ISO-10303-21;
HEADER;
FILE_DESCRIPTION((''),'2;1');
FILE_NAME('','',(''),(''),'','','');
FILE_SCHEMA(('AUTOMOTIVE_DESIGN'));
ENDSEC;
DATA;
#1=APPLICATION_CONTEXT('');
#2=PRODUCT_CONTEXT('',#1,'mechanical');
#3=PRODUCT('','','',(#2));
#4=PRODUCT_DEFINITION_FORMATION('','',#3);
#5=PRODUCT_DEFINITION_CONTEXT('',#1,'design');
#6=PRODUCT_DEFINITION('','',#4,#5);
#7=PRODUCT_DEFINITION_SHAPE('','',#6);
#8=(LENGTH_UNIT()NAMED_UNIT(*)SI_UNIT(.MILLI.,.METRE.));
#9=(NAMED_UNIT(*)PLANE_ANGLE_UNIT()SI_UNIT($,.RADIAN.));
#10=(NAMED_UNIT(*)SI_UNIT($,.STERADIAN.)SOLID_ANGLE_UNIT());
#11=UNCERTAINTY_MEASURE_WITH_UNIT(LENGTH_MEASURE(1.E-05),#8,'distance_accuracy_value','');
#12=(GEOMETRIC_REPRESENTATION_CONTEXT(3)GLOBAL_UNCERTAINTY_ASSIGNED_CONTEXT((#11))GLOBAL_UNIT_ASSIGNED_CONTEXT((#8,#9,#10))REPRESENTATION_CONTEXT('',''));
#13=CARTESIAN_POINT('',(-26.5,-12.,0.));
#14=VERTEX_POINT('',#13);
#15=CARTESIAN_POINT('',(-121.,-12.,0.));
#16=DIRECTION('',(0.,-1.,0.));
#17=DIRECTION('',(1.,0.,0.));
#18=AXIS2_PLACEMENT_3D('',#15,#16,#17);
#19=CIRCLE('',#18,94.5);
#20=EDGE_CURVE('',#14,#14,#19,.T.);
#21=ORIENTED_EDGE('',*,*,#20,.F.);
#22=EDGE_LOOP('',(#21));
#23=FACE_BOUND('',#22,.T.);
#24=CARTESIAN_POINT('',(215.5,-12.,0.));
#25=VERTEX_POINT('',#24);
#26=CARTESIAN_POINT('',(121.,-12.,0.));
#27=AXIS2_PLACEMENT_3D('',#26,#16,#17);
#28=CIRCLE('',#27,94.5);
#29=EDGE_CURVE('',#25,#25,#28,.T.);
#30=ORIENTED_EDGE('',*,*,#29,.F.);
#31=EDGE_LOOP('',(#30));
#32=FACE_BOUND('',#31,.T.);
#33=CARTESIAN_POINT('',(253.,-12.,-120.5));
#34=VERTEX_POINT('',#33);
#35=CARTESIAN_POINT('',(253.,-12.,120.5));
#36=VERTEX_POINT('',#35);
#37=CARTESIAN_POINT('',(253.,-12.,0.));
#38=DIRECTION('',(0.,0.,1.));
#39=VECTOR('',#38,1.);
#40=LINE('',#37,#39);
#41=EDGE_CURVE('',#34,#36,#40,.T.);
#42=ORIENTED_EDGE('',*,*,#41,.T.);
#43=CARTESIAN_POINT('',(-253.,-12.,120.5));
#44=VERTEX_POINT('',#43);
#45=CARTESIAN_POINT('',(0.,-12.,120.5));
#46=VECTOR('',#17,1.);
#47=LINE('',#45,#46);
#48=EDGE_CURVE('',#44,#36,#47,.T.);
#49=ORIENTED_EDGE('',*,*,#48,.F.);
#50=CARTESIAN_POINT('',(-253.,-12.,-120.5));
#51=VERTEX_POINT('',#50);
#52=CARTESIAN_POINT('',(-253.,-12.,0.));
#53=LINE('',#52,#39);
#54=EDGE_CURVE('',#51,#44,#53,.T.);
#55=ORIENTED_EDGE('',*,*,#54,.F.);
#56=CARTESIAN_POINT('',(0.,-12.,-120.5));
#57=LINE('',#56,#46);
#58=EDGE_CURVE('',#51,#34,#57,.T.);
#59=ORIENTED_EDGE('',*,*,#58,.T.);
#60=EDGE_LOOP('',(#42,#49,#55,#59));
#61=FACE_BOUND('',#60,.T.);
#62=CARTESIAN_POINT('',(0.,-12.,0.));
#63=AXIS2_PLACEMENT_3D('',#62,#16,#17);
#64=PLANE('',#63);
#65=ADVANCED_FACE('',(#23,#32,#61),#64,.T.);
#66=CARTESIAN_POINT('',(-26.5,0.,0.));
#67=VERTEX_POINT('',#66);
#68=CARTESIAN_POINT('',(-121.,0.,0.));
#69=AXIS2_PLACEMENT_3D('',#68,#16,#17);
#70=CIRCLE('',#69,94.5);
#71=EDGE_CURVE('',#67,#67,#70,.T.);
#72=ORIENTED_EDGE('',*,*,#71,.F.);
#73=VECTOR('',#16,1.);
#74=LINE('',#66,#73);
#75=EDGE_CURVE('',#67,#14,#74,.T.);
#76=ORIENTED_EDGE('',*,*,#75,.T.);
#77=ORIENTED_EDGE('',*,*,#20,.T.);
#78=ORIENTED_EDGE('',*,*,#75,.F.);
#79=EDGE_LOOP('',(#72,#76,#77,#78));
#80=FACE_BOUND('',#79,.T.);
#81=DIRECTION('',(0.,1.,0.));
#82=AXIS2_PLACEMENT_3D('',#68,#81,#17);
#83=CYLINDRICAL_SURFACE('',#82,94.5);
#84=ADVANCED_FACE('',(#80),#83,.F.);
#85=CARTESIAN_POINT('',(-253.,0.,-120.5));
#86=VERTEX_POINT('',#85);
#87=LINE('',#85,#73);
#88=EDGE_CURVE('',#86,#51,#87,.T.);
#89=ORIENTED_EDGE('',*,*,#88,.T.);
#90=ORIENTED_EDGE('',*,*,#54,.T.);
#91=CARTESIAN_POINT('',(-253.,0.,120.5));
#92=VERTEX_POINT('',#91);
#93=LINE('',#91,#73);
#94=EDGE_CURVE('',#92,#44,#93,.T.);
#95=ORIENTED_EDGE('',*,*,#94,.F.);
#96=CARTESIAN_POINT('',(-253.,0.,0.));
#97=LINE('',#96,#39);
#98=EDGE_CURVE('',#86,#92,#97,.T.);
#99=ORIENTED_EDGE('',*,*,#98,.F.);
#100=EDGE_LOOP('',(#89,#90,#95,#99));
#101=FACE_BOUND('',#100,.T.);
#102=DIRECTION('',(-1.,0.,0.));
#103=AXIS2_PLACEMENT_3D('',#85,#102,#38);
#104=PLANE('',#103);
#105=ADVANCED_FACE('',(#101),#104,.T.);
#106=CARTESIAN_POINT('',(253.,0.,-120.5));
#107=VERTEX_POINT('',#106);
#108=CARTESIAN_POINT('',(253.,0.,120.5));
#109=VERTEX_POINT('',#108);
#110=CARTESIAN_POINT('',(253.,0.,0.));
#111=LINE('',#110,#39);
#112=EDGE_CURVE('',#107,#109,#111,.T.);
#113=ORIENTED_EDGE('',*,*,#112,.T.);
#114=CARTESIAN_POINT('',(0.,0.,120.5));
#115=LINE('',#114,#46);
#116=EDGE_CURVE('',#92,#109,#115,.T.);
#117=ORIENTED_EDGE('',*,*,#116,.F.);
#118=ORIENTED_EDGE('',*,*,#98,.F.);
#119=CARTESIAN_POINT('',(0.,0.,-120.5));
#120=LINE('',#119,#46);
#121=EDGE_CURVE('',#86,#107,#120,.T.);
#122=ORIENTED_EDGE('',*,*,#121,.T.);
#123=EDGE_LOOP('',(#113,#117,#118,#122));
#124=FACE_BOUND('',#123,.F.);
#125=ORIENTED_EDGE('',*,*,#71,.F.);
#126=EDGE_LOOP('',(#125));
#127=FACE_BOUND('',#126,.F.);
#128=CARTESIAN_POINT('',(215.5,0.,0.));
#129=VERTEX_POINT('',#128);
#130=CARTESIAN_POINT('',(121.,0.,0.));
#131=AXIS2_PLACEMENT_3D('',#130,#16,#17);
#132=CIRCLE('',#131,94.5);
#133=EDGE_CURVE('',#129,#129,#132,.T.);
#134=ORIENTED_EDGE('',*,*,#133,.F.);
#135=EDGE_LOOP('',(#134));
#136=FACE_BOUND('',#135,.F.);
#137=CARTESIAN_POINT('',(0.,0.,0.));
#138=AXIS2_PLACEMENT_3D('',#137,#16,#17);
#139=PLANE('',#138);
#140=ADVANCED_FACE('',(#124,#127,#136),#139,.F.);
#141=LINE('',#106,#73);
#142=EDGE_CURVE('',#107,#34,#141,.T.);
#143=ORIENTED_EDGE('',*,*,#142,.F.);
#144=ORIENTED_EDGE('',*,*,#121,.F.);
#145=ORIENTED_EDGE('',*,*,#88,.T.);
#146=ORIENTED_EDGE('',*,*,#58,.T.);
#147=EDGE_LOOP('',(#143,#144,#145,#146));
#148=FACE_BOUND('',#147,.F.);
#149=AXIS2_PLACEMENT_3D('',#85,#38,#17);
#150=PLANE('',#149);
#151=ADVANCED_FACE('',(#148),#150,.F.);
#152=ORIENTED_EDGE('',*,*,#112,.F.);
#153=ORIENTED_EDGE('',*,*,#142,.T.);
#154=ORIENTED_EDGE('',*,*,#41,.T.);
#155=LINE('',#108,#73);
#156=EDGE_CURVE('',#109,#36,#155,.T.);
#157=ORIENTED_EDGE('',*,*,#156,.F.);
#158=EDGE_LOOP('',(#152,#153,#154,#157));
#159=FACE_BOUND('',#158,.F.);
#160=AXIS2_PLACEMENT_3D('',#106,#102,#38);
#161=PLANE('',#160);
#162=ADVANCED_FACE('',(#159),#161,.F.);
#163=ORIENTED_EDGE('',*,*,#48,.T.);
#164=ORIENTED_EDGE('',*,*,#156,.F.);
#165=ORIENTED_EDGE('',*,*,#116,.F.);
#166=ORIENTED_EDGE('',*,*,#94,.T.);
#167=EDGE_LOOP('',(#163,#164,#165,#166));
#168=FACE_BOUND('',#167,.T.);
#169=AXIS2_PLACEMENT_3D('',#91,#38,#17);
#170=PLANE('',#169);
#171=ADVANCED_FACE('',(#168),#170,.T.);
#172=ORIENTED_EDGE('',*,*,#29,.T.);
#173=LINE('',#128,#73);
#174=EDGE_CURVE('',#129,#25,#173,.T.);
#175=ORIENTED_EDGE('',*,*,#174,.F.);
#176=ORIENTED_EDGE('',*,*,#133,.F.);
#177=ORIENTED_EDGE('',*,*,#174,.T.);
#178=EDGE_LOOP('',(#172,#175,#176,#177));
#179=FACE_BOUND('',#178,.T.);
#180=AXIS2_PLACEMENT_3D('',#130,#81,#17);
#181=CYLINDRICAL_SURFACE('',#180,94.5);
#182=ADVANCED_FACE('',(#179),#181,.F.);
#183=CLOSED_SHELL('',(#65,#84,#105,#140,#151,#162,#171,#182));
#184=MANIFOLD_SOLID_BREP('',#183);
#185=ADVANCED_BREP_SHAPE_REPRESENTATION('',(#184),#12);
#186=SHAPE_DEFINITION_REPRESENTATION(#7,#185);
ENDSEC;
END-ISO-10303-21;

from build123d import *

# Parameters (mm, degrees)
F0_W     = 506
F0_H     = 241
F0_R     = 111
F0_R_2   = 94.5
F1_DEPTH = 12


with BuildPart() as f1:
    # F0 (on Front) → F1 (new body)
    with BuildSketch(Plane.XZ):
        Rectangle(F0_W, F0_H)
        with Locations((-121, 0)):
            Circle(F0_R, mode=Mode.SUBTRACT)
        with Locations((121, 0)):
            Circle(F0_R, mode=Mode.SUBTRACT)
        with Locations((-121, 0)):
            Circle(F0_R)
        with Locations((-121, 0)):
            Circle(F0_R_2, mode=Mode.SUBTRACT)
        with Locations((121, 0)):
            Circle(F0_R)
        with Locations((121, 0)):
            Circle(F0_R_2, mode=Mode.SUBTRACT)
    extrude(amount=F1_DEPTH)


solid = f1.part
